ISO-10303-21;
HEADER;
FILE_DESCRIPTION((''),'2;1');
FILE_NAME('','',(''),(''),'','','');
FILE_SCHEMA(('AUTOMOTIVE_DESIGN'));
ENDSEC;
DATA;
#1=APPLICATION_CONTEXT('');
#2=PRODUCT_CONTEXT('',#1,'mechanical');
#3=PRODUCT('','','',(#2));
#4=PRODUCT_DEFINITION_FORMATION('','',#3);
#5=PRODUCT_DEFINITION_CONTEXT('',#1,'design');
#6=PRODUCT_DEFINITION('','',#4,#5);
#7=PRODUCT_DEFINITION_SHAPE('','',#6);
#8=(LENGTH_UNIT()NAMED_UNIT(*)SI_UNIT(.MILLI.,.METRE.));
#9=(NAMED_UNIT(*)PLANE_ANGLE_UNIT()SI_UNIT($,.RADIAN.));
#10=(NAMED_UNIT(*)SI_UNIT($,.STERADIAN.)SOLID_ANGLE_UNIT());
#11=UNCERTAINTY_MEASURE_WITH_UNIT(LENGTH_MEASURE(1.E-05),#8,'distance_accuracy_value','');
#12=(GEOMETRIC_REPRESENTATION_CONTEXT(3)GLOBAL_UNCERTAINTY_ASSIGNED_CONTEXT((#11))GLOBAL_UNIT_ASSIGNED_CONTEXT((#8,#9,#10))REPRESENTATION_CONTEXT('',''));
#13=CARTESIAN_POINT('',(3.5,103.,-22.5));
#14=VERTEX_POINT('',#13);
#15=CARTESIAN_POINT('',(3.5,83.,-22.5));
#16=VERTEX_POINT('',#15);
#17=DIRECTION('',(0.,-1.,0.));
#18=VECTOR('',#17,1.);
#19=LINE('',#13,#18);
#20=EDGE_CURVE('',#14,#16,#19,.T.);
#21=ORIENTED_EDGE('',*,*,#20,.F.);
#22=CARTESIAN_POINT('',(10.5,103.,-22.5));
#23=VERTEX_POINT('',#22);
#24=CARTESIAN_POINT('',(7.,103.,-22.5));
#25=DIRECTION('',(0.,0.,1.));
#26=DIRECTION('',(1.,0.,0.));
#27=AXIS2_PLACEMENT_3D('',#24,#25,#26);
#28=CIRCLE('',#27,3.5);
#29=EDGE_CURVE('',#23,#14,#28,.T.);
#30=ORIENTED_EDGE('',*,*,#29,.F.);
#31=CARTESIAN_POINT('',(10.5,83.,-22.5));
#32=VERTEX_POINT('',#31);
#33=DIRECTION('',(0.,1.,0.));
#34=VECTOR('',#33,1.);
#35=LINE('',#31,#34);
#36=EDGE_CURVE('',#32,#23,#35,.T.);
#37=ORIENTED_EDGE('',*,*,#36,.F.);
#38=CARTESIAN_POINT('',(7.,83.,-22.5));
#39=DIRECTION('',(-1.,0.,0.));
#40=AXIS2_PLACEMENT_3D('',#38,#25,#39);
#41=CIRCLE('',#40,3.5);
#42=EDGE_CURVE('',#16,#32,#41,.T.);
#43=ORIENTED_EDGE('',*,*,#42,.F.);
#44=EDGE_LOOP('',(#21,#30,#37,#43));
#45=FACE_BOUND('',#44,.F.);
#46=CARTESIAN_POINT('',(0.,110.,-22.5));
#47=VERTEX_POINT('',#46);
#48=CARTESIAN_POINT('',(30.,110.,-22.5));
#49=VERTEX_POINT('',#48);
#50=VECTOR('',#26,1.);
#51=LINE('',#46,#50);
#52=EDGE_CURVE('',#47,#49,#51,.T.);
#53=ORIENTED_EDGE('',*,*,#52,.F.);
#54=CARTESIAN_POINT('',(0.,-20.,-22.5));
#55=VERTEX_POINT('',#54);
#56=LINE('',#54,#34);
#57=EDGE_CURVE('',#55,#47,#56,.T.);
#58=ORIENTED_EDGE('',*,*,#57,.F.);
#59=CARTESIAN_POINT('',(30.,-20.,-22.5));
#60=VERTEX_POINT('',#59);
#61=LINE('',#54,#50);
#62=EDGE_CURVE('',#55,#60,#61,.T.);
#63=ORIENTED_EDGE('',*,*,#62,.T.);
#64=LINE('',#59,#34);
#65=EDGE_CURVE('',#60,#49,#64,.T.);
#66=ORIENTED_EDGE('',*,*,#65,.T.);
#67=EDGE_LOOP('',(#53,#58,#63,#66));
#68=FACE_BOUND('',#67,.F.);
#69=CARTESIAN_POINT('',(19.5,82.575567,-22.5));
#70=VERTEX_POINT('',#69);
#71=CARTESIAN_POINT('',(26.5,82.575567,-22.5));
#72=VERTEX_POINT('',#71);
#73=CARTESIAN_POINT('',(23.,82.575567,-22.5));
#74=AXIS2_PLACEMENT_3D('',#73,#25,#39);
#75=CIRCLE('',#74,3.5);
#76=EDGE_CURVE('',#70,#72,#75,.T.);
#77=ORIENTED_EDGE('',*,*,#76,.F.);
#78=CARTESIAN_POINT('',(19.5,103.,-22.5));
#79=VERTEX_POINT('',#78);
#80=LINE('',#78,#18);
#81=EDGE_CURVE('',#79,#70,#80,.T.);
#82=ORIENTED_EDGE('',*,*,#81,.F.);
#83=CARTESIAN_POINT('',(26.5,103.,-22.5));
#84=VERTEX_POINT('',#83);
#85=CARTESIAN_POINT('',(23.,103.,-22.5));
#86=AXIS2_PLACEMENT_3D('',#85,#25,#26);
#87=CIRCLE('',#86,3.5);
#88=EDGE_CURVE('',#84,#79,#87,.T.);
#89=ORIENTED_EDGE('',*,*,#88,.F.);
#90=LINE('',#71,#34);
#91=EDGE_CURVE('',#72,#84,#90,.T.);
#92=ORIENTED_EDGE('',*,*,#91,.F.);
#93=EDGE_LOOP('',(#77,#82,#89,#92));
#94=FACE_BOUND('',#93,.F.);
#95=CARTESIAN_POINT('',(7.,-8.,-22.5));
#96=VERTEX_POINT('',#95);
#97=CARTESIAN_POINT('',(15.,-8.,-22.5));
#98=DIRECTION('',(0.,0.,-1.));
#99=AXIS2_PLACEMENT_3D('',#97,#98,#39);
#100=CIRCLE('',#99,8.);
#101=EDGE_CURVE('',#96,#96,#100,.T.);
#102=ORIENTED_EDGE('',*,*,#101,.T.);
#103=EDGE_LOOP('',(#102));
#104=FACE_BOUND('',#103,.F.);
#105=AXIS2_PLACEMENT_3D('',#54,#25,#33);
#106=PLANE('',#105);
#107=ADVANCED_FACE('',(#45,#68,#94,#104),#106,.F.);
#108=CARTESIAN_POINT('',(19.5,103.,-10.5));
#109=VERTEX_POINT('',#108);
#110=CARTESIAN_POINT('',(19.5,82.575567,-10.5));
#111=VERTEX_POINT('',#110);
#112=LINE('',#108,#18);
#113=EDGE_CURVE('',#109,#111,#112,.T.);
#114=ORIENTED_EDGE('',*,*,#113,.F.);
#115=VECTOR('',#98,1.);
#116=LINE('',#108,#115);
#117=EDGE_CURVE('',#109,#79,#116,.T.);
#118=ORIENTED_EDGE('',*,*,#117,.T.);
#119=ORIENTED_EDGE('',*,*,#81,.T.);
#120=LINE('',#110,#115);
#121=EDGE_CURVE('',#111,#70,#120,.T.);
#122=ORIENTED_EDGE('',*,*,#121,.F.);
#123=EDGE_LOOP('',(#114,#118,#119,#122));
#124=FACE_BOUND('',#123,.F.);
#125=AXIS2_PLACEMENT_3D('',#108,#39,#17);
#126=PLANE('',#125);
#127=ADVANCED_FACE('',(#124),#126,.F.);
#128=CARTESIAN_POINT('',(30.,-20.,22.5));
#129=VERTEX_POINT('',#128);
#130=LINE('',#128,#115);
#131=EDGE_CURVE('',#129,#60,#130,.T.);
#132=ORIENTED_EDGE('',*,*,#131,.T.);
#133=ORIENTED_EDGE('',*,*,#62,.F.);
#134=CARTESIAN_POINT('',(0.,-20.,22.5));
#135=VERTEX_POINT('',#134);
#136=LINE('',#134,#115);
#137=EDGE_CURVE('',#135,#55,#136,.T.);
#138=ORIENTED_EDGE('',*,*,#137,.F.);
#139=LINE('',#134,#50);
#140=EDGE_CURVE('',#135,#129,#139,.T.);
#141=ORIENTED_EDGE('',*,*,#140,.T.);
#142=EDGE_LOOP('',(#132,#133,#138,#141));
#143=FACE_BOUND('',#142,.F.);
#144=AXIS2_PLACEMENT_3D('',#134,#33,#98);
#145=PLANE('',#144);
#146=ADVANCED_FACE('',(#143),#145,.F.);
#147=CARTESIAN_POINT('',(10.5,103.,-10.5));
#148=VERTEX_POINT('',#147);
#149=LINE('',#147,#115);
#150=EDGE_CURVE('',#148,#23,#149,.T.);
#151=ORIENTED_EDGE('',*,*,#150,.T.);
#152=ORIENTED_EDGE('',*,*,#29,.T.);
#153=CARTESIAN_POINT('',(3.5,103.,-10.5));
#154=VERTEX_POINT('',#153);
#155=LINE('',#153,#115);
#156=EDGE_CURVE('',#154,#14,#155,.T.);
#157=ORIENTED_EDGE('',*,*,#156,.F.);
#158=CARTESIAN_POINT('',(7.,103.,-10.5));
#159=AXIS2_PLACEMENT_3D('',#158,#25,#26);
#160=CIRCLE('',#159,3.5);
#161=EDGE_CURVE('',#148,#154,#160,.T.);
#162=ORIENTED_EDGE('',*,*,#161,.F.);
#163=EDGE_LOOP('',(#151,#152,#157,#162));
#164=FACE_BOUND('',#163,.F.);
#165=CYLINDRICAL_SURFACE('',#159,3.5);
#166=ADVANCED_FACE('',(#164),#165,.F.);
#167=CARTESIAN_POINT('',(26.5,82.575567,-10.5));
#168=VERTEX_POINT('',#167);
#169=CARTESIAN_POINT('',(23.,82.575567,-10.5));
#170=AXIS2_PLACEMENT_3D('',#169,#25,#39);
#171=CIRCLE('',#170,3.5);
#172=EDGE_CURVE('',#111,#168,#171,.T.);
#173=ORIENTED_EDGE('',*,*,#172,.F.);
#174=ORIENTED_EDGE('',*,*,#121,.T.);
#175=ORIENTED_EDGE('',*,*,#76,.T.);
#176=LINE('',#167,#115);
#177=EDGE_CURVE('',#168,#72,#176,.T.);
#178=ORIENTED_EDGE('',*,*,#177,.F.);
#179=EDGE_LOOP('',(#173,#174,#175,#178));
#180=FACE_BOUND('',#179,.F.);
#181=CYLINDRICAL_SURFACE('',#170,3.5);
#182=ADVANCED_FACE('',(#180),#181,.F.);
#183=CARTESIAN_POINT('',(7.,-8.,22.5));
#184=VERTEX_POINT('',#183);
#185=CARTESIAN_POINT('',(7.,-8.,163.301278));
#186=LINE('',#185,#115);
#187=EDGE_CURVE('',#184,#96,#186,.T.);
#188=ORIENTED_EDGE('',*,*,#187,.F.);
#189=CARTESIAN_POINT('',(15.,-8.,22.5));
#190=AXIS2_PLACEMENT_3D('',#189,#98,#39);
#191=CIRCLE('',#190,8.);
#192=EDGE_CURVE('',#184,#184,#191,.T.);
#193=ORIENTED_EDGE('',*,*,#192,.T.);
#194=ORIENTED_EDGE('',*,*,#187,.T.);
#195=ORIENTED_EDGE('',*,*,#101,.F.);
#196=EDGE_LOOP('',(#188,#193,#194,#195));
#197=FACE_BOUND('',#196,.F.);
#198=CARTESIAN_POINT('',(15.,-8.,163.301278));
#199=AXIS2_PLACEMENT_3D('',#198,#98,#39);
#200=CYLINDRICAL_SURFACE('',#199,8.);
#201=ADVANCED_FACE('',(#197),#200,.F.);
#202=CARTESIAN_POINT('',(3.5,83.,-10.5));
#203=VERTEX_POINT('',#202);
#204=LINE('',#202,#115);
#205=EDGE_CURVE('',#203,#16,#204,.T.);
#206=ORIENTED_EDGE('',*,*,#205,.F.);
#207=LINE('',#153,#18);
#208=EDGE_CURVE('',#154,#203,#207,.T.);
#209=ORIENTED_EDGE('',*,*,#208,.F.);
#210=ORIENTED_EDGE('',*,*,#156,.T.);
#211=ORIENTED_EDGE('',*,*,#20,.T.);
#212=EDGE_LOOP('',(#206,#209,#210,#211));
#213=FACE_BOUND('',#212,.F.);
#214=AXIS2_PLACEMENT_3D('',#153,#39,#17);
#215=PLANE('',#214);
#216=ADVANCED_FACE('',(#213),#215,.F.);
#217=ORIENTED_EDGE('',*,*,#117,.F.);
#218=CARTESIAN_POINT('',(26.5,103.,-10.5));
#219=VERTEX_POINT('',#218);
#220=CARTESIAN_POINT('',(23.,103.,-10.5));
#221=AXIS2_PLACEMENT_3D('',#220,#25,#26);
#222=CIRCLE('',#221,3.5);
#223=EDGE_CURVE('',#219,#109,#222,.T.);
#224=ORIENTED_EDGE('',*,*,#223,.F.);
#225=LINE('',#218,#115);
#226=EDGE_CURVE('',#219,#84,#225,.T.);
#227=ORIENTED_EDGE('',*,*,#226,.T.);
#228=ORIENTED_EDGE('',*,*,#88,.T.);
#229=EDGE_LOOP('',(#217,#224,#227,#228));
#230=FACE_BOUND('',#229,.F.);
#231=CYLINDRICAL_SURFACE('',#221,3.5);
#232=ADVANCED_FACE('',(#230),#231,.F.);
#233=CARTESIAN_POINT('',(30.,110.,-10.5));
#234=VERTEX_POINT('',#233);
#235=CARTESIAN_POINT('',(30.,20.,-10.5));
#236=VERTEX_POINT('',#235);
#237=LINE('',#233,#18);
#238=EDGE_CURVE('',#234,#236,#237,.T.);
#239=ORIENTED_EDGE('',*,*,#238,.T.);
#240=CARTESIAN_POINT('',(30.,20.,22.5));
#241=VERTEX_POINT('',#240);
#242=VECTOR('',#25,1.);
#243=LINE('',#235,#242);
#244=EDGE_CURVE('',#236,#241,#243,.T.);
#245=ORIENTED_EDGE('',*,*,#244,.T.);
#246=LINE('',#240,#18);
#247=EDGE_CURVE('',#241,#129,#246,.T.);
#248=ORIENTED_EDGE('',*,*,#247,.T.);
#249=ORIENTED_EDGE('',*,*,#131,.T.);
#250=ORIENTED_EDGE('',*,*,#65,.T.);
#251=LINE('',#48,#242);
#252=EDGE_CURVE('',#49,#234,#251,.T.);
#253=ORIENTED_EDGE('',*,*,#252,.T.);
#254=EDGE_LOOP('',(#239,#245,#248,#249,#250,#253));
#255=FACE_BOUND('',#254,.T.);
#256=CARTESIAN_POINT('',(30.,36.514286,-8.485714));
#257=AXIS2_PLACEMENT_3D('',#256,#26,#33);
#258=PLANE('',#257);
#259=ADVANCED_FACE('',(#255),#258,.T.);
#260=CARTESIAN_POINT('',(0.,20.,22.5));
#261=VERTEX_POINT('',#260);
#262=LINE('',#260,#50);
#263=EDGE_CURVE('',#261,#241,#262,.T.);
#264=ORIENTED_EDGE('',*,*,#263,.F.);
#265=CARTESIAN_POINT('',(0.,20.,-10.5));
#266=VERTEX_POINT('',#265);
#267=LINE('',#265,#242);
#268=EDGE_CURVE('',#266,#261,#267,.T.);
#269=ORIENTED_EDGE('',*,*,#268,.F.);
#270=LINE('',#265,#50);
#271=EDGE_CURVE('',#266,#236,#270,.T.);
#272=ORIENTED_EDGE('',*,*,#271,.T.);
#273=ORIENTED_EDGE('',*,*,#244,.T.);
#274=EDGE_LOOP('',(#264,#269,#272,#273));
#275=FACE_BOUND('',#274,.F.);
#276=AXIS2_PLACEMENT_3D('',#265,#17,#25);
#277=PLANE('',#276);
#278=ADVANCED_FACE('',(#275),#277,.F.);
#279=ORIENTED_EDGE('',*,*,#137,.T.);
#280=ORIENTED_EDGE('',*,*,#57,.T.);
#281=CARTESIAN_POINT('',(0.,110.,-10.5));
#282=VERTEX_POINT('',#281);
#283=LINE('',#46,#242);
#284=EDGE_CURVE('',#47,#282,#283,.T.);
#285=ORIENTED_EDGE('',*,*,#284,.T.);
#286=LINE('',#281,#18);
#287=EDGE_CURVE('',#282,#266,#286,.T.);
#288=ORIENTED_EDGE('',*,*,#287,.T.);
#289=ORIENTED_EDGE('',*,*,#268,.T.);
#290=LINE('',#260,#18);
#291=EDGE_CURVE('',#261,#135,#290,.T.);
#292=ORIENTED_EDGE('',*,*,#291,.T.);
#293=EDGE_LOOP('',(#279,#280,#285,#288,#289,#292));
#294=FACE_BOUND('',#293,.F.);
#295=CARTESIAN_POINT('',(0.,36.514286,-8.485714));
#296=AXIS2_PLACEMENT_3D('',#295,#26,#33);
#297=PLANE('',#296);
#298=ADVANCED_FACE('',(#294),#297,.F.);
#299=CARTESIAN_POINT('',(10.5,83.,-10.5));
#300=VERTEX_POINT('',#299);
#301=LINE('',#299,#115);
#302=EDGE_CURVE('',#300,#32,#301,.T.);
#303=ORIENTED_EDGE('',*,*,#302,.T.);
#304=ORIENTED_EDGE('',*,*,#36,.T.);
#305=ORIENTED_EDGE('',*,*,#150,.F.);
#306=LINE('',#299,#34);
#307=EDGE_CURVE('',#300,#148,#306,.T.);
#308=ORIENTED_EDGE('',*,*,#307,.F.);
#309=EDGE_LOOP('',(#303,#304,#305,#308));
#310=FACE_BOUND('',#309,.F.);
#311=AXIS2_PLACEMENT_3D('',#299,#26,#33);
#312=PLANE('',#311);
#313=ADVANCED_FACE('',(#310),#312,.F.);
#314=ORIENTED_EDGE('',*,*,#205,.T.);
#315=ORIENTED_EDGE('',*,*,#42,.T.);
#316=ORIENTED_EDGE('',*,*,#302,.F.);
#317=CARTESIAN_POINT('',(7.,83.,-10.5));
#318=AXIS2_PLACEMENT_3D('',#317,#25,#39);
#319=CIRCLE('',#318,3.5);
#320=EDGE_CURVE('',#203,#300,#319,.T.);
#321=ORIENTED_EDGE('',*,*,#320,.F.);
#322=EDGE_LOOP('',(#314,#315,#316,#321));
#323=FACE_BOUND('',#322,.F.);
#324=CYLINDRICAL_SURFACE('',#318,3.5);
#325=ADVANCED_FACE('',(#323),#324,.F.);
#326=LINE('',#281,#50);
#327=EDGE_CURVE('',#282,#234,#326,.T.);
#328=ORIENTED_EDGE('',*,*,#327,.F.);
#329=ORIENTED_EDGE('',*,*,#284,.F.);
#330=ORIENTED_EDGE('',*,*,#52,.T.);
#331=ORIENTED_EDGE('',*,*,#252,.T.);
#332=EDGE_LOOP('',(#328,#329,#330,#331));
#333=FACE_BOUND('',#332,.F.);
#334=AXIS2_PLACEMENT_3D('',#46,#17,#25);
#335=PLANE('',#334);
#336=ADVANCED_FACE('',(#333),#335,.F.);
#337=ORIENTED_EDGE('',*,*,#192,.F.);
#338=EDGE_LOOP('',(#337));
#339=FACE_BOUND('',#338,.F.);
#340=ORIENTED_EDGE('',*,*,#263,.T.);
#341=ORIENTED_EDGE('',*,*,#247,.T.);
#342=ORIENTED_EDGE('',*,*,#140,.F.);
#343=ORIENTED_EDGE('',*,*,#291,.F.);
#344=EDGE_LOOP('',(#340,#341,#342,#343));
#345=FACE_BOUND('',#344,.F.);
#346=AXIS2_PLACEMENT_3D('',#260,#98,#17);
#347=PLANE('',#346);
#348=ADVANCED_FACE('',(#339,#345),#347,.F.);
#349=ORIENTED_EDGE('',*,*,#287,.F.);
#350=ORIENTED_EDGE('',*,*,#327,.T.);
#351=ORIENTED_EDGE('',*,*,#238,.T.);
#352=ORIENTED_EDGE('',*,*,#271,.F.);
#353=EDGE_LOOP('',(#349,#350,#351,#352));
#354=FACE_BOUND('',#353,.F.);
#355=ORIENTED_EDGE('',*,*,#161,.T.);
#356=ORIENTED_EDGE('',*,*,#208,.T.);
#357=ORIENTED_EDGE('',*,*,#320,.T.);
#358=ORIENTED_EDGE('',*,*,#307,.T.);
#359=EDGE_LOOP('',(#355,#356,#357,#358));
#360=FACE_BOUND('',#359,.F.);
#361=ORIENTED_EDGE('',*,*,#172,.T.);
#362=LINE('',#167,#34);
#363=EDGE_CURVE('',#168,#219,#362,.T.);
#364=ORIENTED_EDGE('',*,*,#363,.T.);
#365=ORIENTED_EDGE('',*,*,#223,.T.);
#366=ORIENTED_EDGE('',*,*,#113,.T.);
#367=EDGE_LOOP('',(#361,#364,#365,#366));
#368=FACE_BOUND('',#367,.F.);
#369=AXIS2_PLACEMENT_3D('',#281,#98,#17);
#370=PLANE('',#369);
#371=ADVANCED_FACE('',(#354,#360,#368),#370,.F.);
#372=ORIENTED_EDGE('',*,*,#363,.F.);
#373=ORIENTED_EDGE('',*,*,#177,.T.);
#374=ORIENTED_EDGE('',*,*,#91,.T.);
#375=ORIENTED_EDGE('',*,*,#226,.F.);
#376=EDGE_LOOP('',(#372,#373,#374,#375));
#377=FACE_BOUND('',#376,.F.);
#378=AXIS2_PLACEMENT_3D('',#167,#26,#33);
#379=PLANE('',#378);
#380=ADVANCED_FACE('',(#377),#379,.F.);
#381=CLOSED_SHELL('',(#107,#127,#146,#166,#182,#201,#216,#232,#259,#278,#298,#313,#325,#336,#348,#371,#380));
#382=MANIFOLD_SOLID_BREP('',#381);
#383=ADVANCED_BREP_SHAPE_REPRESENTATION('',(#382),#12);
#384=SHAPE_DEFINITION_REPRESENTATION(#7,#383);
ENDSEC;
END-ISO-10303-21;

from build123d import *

# Parameters (mm, degrees)
F1_DEPTH = 30
F3_DEPTH = 12
F5_D     = 16


with BuildPart() as f1:
    # F0 (on Right) → F1 (new body)
    with BuildSketch(Plane.YZ):
        Polygon((-20, -22.5), (20, -22.5), (110, -22.5), (110, -10.5), (20, -10.5), (20, 22.5), (-20, 22.5), align=None)
    extrude(amount=F1_DEPTH)

    # F2 (on face) → F3 (cut)
    with BuildSketch(Plane.XY.offset(-10.5)):
        with BuildLine():
            ThreePointArc((10.5, 103), (7, 106.5), (3.5, 103))
            Line((3.5, 103), (3.5, 83))
            ThreePointArc((3.5, 83), (7, 79.5), (10.5, 83))
            Line((10.5, 83), (10.5, 103))
        make_face()
        with BuildLine():
            Line((26.5, 82.575567), (26.5, 103))
            ThreePointArc((26.5, 103), (23, 106.5), (19.5, 103))
            Line((19.5, 103), (19.5, 82.575567))
            ThreePointArc((19.5, 82.575567), (23, 79.075567), (26.5, 82.575567))
        make_face()
    extrude(amount=-F3_DEPTH, mode=Mode.SUBTRACT)

    # F5 (through all)
    with Locations(Plane.XY.offset(22.5)):
        with Locations((15, -8)):
            Hole(F5_D / 2)


solid = f1.part
